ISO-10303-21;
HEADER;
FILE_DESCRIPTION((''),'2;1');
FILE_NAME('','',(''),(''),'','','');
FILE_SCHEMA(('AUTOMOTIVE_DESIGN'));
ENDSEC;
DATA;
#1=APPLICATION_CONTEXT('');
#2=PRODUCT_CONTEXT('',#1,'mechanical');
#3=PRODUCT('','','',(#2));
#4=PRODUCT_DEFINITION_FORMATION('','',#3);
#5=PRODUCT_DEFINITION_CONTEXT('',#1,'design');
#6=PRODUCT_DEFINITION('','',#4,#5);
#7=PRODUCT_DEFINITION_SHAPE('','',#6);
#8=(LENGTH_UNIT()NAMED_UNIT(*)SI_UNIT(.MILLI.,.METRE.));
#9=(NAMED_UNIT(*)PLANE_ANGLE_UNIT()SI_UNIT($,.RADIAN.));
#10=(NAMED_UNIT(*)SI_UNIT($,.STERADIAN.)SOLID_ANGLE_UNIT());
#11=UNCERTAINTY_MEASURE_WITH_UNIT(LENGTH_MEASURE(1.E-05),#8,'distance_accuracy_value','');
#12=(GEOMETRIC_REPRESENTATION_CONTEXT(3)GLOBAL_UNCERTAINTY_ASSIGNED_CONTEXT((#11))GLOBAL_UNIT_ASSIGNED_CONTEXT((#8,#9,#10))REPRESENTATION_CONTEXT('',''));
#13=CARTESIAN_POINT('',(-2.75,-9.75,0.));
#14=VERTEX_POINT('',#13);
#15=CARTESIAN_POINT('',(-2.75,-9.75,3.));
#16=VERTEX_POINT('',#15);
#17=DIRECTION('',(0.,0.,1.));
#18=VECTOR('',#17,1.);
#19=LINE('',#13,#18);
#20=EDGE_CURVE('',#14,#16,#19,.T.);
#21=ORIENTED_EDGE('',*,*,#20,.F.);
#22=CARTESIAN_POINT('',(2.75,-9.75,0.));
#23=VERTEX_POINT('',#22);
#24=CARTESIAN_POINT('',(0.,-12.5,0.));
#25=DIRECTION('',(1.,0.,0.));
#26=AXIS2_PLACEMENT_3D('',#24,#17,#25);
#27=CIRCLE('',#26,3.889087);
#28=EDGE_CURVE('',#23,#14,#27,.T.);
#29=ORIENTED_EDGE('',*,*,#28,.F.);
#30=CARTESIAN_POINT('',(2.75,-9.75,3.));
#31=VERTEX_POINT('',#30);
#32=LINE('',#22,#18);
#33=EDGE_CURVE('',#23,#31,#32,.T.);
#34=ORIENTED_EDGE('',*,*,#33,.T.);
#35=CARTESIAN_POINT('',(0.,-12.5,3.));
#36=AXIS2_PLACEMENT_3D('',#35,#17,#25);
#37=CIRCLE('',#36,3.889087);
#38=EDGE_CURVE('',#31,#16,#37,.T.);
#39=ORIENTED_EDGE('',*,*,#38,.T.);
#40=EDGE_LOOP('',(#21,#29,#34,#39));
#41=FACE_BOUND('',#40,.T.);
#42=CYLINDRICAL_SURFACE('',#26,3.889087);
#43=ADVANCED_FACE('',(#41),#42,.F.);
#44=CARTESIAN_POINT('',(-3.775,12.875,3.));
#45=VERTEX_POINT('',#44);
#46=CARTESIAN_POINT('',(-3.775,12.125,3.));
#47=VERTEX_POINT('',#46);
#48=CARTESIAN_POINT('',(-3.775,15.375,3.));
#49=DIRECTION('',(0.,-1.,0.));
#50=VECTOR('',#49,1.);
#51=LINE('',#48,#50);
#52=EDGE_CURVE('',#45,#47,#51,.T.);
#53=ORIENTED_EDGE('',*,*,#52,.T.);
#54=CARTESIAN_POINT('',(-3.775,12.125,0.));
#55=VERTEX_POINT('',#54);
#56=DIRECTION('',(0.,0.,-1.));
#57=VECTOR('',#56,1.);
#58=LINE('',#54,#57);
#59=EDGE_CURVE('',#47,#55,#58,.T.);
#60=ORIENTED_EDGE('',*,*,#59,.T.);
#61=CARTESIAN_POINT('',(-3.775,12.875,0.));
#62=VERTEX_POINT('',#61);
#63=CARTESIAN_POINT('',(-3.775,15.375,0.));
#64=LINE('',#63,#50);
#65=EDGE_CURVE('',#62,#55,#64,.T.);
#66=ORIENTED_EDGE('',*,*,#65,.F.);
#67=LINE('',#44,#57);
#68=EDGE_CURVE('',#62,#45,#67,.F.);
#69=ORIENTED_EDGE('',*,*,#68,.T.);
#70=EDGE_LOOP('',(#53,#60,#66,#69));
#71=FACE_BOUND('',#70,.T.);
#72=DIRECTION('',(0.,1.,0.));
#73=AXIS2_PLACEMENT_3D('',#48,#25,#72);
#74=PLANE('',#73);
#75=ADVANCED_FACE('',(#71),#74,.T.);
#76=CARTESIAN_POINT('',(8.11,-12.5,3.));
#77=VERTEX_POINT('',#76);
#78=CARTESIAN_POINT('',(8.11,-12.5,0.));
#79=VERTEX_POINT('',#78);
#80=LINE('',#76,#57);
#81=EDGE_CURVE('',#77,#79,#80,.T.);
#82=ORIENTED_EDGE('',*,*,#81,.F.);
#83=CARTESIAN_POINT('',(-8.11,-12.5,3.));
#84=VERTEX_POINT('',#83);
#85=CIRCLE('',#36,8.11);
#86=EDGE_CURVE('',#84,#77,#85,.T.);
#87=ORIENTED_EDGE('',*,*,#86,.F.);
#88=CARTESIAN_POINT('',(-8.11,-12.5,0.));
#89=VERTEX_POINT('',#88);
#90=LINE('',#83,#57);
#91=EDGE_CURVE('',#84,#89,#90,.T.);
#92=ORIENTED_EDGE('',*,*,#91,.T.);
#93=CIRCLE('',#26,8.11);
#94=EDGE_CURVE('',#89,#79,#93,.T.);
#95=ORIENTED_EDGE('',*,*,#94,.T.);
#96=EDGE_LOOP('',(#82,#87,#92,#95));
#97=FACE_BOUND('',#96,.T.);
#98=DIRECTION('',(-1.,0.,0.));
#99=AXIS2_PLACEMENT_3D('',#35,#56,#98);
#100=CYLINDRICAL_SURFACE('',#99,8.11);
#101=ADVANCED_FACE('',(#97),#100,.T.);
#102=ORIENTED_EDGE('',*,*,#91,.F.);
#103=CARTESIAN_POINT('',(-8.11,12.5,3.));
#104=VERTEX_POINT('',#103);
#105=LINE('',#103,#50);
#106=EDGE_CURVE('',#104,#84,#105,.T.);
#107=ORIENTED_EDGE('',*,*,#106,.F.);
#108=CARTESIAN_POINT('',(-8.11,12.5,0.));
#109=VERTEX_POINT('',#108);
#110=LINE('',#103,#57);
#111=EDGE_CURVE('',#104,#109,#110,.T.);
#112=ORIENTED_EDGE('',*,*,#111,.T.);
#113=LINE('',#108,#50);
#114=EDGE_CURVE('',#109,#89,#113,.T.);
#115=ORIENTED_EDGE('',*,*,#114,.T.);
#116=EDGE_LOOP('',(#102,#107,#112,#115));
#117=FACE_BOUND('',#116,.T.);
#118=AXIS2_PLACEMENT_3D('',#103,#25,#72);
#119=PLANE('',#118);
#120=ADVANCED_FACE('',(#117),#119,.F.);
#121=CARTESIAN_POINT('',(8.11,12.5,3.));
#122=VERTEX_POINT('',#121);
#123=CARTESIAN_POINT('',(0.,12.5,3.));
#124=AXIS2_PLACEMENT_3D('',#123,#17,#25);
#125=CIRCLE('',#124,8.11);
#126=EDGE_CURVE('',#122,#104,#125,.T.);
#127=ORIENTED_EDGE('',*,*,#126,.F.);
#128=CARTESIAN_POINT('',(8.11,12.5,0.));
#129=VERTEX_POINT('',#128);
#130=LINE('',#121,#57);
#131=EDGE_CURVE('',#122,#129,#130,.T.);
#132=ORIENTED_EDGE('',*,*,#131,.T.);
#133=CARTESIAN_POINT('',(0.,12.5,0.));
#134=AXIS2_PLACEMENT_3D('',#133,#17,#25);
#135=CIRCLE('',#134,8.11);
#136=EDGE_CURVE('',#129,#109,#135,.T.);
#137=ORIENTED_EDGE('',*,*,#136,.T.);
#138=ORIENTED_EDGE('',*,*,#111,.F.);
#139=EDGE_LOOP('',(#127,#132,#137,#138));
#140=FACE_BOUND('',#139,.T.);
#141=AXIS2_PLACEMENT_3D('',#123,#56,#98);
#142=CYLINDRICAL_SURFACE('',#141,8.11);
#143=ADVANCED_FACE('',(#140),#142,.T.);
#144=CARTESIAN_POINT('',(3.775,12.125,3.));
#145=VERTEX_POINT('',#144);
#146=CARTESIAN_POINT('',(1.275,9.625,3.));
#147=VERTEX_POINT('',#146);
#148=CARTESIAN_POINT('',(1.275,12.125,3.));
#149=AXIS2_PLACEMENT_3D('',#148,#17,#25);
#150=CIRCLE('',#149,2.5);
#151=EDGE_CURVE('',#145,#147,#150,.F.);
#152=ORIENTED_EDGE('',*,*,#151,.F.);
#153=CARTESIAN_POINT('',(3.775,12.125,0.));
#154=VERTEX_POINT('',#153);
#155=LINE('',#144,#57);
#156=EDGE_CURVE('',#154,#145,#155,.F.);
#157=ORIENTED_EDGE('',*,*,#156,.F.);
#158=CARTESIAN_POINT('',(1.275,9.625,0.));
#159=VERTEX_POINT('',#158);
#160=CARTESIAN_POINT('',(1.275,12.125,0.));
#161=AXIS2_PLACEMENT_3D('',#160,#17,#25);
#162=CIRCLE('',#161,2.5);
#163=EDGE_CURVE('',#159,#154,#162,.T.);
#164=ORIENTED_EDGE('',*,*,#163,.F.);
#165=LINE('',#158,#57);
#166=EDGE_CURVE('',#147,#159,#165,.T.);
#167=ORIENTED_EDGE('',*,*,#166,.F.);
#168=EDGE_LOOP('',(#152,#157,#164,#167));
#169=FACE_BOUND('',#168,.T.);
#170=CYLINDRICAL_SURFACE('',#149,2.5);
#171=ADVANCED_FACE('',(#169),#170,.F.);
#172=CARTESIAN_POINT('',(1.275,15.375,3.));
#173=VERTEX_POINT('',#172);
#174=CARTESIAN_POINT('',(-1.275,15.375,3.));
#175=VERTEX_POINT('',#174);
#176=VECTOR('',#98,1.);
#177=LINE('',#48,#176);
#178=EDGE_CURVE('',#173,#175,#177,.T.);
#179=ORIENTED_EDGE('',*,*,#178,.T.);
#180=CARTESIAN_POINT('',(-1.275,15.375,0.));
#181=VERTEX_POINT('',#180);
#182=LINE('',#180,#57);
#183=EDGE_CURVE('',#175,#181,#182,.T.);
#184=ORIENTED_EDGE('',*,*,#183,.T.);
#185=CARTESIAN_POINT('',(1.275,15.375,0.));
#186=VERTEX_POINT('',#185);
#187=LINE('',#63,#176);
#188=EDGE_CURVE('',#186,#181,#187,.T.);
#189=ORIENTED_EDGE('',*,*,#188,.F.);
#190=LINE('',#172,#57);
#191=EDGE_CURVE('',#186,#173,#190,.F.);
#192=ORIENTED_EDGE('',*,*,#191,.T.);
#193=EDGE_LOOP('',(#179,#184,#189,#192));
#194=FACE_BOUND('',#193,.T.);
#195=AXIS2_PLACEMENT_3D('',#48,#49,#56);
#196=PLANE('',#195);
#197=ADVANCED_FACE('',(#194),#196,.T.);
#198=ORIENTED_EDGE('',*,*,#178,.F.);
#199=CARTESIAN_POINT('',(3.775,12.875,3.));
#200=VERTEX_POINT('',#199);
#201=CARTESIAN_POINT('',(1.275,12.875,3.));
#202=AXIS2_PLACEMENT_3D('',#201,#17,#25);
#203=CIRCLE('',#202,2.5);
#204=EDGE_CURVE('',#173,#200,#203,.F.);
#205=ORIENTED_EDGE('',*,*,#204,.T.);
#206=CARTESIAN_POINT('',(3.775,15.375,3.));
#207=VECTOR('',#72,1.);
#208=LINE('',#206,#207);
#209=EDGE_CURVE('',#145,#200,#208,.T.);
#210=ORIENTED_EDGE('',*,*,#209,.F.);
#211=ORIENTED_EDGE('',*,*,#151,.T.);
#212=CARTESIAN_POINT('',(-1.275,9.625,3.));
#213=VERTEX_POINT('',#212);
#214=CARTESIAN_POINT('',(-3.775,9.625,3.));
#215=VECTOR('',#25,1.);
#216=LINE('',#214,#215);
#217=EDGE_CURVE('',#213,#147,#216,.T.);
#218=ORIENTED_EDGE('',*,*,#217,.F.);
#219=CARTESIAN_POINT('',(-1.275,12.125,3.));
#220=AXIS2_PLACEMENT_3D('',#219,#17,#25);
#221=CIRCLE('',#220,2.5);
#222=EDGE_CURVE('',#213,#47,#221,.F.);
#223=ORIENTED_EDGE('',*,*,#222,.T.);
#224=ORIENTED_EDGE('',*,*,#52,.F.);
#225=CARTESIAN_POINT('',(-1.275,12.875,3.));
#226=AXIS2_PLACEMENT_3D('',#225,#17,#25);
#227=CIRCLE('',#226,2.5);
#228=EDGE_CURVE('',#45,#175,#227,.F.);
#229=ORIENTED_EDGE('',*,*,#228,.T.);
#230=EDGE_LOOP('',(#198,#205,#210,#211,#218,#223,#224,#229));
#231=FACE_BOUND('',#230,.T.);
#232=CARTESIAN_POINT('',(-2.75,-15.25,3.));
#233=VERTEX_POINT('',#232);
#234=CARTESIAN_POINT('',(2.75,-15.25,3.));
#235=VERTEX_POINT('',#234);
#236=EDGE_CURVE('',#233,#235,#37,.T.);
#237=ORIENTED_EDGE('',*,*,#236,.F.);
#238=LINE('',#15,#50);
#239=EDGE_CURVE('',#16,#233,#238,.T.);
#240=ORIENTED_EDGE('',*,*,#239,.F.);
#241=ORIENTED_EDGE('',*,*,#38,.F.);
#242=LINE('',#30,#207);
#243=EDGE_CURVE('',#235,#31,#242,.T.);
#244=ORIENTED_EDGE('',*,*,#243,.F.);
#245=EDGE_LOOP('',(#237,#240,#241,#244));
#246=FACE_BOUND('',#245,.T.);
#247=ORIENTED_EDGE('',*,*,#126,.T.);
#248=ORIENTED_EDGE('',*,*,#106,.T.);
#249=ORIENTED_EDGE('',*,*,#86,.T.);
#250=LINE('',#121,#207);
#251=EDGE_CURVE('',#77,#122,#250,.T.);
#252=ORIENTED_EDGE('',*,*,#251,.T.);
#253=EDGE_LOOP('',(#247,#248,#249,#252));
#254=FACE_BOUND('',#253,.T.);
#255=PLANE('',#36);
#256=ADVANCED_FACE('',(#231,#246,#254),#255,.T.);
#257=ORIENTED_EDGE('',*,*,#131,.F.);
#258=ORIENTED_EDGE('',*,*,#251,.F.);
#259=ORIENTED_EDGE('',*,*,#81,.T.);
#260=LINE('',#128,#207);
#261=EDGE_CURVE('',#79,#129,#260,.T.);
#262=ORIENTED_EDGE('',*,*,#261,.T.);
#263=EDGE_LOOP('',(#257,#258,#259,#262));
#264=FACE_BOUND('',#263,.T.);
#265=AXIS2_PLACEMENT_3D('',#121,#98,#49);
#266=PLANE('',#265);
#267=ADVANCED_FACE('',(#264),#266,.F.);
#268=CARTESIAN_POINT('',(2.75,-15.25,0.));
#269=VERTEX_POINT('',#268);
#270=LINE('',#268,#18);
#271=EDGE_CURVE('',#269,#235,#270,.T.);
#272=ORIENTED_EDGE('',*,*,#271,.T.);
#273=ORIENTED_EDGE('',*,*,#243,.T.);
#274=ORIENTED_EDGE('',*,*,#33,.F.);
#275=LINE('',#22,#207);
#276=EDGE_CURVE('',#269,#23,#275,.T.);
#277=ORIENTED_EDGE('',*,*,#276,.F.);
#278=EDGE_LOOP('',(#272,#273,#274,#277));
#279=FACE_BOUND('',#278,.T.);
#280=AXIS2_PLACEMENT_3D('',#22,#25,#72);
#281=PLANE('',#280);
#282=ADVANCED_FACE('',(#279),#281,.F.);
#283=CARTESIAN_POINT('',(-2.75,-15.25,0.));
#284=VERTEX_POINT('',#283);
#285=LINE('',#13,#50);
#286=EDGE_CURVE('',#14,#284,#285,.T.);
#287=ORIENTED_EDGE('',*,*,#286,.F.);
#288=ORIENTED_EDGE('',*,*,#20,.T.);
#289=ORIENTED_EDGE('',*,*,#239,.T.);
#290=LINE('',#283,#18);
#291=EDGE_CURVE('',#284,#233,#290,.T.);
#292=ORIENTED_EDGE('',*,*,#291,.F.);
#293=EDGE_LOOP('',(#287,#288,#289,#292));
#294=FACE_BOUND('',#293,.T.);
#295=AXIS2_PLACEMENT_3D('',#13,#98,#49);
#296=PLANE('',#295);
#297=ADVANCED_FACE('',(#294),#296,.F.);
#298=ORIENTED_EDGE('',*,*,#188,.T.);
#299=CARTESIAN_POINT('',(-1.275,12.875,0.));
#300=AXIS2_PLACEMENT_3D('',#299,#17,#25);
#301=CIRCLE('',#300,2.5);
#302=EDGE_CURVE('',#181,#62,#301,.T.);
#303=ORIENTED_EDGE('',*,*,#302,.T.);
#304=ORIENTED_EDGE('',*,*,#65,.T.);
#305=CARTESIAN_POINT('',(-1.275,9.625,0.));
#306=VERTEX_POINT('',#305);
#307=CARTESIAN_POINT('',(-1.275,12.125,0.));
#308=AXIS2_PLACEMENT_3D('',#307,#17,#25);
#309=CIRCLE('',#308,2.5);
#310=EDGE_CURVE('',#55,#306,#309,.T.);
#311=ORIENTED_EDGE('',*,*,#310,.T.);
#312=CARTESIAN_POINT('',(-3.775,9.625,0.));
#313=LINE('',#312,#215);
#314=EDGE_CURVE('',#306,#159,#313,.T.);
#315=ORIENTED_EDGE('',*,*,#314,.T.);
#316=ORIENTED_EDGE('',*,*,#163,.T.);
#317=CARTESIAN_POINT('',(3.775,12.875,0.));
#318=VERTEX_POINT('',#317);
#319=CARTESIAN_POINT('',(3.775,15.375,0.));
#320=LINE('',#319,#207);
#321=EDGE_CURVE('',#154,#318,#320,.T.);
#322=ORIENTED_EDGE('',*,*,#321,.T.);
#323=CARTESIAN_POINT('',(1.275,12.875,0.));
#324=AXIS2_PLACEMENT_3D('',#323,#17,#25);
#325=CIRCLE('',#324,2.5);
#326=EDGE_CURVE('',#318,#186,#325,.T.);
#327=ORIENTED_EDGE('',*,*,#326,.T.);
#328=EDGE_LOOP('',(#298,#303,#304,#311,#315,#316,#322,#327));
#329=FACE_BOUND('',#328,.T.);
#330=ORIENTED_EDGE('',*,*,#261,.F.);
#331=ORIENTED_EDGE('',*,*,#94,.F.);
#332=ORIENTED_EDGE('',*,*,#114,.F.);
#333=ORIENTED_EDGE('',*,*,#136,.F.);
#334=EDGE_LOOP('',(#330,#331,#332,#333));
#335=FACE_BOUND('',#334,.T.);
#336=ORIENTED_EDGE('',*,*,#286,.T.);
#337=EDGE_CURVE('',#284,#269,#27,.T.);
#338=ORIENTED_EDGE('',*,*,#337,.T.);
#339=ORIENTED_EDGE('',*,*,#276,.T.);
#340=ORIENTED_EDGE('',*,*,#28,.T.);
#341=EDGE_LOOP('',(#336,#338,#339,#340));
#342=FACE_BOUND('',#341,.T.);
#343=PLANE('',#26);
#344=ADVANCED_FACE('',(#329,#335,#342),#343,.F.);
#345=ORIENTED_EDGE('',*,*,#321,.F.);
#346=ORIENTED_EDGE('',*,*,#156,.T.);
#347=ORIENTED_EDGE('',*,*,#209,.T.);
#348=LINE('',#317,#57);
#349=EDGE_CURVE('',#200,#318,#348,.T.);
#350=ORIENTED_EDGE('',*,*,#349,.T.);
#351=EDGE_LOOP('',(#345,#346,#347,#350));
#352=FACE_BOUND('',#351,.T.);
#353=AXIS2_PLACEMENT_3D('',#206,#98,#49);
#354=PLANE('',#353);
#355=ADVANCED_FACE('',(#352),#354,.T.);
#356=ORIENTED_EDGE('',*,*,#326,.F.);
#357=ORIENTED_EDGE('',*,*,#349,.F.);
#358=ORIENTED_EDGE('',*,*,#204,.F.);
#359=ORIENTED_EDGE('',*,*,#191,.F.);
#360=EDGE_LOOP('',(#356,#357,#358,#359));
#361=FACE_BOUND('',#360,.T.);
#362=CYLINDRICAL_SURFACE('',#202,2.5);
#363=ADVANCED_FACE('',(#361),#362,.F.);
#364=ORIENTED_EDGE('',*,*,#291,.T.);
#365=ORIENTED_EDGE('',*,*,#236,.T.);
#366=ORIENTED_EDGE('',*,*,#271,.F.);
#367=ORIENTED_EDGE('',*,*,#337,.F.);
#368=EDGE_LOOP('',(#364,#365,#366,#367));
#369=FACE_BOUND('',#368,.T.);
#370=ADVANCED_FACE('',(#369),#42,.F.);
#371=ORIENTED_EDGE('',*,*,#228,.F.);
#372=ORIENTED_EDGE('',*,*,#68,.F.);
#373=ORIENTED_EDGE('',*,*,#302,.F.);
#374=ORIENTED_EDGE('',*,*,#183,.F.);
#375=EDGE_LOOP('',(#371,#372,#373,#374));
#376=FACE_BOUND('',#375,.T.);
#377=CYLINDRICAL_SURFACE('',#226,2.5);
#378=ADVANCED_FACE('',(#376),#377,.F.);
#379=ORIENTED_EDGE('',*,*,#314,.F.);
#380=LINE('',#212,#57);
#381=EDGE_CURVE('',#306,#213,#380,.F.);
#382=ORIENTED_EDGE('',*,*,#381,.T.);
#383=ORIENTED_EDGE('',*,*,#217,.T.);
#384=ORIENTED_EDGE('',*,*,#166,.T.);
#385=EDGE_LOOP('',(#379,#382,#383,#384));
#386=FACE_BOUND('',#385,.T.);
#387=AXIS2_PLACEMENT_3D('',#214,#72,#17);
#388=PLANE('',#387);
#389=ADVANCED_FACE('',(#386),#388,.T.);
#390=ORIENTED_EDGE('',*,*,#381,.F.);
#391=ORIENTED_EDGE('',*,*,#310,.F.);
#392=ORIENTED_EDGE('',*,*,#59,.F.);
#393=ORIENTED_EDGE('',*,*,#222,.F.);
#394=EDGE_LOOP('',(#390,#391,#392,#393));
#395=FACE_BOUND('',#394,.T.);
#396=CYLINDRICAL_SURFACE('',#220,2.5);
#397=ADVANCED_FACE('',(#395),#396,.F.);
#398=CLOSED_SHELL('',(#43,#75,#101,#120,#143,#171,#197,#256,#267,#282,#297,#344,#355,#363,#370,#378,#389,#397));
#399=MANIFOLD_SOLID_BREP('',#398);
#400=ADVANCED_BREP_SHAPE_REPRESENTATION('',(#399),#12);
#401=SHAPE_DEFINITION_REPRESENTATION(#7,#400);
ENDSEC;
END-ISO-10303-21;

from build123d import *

# Parameters (mm, degrees)
SKETCH1_W           = 7.55
SKETCH1_H           = 5.75
BOSS_EXTRUDE1_DEPTH = 3
FILLET1_R           = 2.5
CUT_EXTRUDE1_DEPTH  = 3


with BuildPart() as part:
    # Sketch1 → Boss-Extrude1 (new body)
    with BuildSketch(Plane.XY):
        with BuildLine():
            Line((-8.11, 12.5), (-8.11, -12.5))
            ThreePointArc((-8.11, -12.5), (0, -20.61), (8.11, -12.5))
            Line((8.11, -12.5), (8.11, 12.5))
            ThreePointArc((8.11, 12.5), (0, 20.61), (-8.11, 12.5))
        make_face()
        with Locations((0, 12.5)):
            Rectangle(SKETCH1_W, SKETCH1_H, mode=Mode.SUBTRACT)
    extrude(amount=BOSS_EXTRUDE1_DEPTH)

    # Fillet1
    fillet1_edges = [part.edges().sort_by_distance(p)[0] for p in [
        (3.775, 9.625, 1.5),
        (3.775, 15.375, 1.5),
        (-3.775, 15.375, 1.5),
        (-3.775, 9.625, 1.5),
    ]]
    fillet(fillet1_edges, radius=FILLET1_R)

    # Sketch2 → Cut-Extrude1 (cut)
    with BuildSketch(Plane.XY.offset(3)):
        with BuildLine():
            Line((-2.75, -9.75), (-2.75, -15.25))
            ThreePointArc((-2.75, -15.25), (0, -16.389087297), (2.75, -15.25))
            Line((2.75, -15.25), (2.75, -9.75))
            ThreePointArc((2.75, -9.75), (0, -8.610912703), (-2.75, -9.75))
        make_face()
    extrude(amount=-CUT_EXTRUDE1_DEPTH, mode=Mode.SUBTRACT)


solid = part.part
